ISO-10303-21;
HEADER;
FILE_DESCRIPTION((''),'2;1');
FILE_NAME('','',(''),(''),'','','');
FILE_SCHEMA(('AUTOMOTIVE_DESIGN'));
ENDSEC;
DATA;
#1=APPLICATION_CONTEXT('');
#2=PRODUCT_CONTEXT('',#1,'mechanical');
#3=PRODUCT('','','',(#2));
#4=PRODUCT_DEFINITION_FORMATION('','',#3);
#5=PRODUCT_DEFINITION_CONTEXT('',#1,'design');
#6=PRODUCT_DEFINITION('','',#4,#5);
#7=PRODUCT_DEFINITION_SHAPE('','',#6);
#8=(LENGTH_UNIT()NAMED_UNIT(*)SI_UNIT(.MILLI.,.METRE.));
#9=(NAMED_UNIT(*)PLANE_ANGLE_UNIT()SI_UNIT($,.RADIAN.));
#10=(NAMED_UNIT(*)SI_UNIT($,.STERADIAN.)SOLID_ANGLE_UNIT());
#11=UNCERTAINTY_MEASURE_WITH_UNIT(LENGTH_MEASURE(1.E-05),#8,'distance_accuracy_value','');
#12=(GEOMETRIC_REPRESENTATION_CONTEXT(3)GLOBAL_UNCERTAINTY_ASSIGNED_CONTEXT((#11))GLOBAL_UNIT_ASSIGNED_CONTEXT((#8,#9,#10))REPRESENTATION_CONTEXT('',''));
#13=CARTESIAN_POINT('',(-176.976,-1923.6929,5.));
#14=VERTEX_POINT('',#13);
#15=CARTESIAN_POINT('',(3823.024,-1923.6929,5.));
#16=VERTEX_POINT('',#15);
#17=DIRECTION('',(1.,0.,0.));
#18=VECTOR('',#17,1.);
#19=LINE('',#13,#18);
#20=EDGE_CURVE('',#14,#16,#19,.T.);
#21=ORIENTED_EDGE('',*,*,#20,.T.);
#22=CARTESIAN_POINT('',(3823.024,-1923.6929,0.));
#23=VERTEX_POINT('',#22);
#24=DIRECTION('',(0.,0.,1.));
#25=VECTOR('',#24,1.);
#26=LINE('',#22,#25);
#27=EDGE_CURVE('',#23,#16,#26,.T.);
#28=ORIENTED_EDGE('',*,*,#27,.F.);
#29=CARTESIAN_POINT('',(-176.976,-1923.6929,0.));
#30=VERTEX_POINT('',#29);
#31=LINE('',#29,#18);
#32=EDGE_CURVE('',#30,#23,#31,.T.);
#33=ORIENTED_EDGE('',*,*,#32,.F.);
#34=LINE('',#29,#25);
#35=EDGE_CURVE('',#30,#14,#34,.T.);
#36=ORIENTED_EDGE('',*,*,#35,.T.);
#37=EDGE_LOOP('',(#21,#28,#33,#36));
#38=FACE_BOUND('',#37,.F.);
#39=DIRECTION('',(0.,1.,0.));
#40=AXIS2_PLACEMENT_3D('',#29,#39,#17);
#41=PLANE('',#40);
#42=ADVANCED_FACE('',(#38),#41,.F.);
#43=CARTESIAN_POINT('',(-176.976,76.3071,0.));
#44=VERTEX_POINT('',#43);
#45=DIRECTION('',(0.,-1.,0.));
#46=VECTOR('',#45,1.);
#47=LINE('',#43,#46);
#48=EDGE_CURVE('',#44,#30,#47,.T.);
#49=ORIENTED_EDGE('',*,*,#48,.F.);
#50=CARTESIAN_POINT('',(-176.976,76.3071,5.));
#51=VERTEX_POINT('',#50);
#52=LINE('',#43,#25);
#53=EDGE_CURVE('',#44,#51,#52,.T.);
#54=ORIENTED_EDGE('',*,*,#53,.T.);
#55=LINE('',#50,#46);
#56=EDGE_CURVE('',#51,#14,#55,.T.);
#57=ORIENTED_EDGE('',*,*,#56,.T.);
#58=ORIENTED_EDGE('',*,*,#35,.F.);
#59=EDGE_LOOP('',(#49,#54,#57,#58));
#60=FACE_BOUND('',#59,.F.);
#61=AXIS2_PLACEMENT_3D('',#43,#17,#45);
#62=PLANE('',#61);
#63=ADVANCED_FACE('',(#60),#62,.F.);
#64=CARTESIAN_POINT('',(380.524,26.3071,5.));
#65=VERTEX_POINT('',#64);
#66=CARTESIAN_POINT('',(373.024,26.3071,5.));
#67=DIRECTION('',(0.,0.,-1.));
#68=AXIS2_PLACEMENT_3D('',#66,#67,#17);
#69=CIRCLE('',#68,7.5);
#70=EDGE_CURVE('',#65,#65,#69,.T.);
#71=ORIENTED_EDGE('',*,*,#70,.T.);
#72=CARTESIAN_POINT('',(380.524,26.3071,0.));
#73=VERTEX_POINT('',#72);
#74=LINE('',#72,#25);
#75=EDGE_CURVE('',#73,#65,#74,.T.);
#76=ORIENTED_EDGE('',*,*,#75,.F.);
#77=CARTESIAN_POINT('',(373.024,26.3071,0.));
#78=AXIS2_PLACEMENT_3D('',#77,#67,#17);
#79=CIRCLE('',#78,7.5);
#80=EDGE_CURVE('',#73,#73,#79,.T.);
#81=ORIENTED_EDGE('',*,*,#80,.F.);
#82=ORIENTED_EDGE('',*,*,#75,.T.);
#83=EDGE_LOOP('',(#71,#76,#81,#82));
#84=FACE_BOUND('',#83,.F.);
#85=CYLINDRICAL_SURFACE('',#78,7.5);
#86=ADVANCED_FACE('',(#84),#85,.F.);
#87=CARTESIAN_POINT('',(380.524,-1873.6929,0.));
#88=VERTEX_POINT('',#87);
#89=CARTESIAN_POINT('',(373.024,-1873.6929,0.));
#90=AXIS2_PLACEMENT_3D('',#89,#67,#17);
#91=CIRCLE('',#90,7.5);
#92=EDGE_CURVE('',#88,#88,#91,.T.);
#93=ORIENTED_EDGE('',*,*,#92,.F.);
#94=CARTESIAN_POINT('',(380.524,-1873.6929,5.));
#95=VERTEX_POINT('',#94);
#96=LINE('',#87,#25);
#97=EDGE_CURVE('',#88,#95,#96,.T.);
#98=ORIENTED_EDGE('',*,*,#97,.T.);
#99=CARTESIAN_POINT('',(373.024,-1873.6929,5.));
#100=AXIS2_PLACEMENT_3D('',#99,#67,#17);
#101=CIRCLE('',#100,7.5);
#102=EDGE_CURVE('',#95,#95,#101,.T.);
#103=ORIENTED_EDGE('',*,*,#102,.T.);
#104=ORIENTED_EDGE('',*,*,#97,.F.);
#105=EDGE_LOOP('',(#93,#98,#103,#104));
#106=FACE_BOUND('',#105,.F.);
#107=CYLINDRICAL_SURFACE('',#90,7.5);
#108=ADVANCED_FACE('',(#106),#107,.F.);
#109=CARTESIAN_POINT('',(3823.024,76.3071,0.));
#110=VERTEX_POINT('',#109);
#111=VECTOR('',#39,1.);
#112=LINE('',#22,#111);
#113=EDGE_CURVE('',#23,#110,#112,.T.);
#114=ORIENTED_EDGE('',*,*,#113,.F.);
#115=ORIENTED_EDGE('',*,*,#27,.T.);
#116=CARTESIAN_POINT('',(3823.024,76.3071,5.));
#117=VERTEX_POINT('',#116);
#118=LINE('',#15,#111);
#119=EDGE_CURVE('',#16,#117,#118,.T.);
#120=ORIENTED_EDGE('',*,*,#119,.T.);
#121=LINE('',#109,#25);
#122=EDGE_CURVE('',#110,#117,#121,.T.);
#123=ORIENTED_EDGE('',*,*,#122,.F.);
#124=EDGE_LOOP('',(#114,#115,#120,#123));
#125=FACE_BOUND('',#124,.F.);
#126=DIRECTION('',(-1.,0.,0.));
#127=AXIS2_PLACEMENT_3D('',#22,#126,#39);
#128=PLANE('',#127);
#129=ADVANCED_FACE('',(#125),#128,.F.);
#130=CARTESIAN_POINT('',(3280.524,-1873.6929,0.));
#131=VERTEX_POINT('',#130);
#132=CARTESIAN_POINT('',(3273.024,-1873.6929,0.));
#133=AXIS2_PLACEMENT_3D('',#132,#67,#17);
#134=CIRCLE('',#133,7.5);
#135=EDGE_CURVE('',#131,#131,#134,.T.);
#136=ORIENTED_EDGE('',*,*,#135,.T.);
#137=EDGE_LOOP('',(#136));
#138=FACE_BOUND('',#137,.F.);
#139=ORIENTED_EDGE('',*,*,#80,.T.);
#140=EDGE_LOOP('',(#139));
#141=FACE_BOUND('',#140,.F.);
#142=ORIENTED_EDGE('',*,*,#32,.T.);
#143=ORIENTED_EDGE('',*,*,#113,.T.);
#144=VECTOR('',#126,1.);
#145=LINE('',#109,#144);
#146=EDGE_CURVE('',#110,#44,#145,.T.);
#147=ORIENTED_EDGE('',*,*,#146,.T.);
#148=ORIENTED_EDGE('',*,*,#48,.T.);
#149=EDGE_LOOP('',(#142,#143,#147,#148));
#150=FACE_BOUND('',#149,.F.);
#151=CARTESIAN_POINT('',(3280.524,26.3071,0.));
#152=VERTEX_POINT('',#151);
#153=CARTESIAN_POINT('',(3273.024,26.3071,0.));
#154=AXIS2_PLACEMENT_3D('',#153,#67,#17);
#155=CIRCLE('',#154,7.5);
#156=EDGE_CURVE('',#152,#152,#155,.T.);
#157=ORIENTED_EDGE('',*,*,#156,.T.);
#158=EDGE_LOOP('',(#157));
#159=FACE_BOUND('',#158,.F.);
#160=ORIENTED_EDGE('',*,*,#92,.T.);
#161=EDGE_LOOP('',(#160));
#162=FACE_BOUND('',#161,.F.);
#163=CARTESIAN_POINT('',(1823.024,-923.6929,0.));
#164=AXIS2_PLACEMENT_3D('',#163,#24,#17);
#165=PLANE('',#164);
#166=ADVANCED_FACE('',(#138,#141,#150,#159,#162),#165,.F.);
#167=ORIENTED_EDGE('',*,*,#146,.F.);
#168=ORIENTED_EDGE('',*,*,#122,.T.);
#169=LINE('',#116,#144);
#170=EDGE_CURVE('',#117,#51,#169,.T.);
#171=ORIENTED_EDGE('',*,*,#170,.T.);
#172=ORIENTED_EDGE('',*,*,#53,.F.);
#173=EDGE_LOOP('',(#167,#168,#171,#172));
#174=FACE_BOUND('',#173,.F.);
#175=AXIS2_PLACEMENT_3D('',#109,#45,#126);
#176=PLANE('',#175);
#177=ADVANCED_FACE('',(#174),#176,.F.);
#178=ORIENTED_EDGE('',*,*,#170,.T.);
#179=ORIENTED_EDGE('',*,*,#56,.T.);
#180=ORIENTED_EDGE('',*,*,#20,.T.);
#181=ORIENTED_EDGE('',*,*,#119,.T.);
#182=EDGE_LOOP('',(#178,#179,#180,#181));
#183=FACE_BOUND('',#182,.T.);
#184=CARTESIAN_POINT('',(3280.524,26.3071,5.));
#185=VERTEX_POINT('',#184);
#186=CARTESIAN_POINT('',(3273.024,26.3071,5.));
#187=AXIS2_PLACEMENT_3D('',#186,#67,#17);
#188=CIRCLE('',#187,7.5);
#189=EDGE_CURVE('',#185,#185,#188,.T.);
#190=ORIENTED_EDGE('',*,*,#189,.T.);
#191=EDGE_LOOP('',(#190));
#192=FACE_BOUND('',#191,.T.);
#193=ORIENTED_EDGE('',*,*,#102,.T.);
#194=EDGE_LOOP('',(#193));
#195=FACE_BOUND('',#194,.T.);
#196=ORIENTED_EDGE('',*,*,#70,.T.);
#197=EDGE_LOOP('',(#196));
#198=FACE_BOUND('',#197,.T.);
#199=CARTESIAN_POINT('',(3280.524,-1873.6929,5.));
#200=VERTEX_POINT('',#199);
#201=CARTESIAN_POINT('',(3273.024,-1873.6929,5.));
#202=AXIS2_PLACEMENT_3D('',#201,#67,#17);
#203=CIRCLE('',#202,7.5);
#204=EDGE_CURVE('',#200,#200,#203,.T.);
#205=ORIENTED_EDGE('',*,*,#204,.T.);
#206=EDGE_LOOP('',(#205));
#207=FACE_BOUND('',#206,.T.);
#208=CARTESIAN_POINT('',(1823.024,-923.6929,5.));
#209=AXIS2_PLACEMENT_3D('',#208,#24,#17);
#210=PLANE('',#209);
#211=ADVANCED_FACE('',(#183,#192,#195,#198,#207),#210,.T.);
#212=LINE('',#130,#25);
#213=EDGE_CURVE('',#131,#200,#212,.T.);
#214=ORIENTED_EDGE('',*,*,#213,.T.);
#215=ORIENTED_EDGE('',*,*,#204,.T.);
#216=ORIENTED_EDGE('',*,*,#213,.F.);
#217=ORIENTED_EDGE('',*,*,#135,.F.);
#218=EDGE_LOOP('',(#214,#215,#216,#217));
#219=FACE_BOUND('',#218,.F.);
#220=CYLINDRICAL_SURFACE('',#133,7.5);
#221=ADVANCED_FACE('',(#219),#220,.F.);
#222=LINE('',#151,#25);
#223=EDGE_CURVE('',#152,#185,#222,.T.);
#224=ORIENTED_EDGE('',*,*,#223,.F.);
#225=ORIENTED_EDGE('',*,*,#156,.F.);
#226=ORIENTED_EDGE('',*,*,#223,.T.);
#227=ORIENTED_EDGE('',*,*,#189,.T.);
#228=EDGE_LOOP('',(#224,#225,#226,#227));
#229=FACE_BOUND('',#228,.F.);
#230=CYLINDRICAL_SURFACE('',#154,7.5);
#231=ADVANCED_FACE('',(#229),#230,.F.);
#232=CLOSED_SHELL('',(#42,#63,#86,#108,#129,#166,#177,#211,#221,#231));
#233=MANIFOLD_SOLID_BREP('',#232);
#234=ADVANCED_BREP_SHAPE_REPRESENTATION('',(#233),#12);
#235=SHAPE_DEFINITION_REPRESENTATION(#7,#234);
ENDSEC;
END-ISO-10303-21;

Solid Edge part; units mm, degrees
sketch "Sketch1" plane through (0, 0, 0) normal (0, 0, 1) x (1, 0, 0)
  line L0 (-176.976, -1923.6929) -> (3823.024, -1923.6929)
  line L1 (3823.024, -1923.6929) -> (3823.024, 76.3071)
  line L2 (3823.024, 76.3071) -> (-176.976, 76.3071)
  line L3 (-176.976, 76.3071) -> (-176.976, -1923.6929)
  dimension "D1" = 2000
  dimension "D2" = 4000
extrude "Protrusion1" add sketch "Sketch1" along normal blind 5
extrude "ExtrudedProtrusion_3" [suppressed]
sketch "Sketch2" plane through (1823.024, -923.6929, 0) normal (0, 0, -1) x (1, 0, 0)
  circle A0 centre (1450, 950) radius 7.5
  circle A1 centre (1450, -950) radius 7.5
  circle A2 centre (-1450, -950) radius 7.5
  circle A3 centre (-1450, 950) radius 7.5
  dimension "D1" = 1900
  dimension "D2" = 2900
  dimension "D3" = 15
  dimension "D4" = 15
  dimension "D5" = 15
  dimension "D6" = 15
  dimension "D7" = 950
  dimension "D8" = 1450
extrude "Cutout1" cut sketch "Sketch2" against normal through all
properties material "Aluminum, 6061-T6"
